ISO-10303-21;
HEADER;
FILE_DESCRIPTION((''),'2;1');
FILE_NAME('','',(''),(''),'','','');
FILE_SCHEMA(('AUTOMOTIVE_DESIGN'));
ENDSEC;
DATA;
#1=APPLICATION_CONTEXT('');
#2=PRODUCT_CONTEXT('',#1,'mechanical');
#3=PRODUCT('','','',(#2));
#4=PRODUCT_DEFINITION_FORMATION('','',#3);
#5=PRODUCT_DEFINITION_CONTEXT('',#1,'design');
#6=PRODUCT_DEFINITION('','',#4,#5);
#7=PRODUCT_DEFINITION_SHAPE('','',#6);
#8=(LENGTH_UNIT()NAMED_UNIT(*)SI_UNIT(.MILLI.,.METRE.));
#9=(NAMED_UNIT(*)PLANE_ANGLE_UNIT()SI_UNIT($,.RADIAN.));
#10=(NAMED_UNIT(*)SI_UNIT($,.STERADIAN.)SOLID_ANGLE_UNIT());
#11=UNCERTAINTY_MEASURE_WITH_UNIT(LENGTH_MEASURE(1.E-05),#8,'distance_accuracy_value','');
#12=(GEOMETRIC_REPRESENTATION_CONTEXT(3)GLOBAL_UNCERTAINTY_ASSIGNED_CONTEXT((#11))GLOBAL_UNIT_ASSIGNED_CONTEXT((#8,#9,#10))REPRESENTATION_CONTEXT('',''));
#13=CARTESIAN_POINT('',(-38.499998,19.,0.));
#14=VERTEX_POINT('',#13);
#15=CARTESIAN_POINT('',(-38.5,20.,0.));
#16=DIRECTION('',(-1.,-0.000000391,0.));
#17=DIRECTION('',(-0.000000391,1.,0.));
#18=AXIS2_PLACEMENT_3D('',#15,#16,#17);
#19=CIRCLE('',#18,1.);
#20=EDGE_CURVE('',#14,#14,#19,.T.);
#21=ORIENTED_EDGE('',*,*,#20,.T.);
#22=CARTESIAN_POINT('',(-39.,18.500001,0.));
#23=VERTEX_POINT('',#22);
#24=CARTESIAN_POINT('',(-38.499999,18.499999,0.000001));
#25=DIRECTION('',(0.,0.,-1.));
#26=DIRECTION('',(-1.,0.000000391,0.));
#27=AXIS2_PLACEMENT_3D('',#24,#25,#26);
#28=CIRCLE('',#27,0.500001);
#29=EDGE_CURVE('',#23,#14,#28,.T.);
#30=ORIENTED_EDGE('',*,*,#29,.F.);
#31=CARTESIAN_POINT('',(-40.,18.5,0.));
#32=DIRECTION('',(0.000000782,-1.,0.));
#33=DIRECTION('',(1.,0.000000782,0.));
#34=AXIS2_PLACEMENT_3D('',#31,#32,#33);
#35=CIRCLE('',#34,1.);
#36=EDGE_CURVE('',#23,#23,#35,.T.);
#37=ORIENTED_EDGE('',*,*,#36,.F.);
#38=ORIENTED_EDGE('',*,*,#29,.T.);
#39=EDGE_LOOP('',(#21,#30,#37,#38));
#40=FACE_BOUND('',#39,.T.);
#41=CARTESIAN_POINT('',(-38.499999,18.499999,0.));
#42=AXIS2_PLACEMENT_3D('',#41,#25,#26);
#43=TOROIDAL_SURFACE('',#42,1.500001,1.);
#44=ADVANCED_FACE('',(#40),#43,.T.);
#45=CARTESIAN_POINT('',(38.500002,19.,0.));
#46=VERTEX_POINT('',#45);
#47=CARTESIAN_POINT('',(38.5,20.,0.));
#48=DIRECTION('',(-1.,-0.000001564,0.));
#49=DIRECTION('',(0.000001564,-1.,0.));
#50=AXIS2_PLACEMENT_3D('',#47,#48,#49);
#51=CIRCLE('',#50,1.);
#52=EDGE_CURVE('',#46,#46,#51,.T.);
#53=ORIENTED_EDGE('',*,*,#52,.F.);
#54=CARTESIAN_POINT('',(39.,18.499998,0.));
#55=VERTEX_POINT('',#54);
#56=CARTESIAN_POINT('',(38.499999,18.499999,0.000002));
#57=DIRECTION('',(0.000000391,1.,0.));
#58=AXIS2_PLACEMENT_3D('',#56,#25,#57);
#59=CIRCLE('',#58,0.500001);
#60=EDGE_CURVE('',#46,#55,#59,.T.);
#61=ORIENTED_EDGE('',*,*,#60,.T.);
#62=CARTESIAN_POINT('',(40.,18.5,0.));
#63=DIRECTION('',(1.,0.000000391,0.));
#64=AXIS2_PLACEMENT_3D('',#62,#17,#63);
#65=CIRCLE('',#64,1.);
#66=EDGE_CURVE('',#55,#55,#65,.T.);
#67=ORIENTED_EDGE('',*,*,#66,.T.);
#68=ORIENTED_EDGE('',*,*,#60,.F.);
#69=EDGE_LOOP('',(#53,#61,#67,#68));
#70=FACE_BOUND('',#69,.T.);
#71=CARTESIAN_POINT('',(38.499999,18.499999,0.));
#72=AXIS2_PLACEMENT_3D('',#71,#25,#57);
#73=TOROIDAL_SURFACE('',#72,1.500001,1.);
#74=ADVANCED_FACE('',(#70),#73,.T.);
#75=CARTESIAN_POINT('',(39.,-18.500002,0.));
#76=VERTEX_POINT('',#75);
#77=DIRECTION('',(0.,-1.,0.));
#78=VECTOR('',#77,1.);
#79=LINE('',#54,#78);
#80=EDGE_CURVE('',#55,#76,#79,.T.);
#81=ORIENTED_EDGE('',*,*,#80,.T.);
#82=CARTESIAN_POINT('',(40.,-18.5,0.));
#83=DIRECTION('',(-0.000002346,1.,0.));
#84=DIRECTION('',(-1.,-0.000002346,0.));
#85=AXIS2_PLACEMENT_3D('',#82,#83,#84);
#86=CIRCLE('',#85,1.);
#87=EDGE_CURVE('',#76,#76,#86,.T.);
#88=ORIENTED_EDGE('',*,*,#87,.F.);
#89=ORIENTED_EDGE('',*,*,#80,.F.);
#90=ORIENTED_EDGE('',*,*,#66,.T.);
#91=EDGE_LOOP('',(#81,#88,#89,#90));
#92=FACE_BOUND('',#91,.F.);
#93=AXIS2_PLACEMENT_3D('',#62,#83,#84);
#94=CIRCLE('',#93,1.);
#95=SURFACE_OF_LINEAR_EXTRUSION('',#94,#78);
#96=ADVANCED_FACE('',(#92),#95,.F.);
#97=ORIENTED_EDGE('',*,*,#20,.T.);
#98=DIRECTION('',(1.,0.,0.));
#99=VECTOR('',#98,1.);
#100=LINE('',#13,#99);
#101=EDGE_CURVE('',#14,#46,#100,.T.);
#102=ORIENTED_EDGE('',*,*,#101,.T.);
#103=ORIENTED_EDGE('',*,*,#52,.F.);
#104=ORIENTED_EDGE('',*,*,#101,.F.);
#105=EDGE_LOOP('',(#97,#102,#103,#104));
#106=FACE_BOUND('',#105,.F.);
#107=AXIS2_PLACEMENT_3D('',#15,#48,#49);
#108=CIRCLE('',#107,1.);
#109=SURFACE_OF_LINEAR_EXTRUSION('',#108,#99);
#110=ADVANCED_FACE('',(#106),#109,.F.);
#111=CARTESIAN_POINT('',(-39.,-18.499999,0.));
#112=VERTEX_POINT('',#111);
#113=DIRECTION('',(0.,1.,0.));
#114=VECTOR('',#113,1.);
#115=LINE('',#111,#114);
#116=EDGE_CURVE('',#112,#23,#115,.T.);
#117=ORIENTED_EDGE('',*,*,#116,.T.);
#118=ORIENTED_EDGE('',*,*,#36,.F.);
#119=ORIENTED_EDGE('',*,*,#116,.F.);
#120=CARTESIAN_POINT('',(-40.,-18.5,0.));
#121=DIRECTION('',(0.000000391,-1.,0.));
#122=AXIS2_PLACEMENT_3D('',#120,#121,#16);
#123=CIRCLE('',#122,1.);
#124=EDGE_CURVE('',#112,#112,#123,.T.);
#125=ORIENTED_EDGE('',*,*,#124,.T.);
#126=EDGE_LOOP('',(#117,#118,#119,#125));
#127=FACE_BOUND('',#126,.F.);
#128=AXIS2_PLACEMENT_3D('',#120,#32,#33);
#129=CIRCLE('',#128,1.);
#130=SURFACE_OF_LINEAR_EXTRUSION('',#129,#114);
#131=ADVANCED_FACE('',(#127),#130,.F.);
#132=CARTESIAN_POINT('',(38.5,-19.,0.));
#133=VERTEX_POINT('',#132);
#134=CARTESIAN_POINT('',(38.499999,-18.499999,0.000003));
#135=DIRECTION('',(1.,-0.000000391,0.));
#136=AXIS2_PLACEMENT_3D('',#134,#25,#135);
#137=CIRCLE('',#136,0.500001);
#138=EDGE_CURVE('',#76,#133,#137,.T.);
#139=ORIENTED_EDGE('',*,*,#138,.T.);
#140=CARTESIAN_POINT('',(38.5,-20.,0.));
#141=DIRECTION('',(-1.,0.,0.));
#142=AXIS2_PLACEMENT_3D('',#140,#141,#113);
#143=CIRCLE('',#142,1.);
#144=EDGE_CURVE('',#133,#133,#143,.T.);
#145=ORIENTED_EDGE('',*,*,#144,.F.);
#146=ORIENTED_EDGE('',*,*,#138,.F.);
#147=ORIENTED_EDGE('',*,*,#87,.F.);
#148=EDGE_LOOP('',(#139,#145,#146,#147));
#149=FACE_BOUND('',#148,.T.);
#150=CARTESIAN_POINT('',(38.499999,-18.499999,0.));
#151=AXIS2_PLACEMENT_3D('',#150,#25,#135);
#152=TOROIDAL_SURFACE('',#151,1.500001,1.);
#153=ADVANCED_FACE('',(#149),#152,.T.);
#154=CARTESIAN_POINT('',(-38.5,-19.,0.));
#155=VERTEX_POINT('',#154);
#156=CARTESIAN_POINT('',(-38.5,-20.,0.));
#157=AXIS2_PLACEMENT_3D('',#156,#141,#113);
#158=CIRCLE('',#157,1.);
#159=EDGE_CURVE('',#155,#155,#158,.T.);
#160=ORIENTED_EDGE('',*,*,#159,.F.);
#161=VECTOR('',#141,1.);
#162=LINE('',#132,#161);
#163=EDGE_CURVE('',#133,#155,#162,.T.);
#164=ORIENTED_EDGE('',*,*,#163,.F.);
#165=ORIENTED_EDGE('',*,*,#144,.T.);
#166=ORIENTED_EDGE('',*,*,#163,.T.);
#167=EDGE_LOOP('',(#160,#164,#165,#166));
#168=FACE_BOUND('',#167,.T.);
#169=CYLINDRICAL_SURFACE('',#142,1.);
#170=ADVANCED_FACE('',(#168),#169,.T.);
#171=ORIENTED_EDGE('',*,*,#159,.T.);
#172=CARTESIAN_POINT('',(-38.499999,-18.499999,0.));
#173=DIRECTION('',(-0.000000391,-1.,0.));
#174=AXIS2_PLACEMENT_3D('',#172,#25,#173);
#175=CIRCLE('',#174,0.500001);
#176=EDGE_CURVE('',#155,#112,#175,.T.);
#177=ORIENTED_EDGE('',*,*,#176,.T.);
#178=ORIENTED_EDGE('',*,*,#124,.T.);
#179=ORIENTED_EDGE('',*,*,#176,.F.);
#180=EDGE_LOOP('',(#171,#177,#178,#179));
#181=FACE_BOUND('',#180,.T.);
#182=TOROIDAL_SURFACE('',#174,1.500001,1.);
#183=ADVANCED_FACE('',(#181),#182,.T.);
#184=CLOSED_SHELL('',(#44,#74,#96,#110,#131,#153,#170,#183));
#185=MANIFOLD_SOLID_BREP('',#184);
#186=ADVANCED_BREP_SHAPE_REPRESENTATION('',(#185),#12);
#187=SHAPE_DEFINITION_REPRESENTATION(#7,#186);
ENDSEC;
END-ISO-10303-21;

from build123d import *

# Parameters (mm, degrees)
F2_R = 1


with BuildPart() as f3:
    # F3: sweep along a path in F0
    with BuildLine(Plane.XY) as f3_path:
        Line((38.5, -20), (-38.5, -20))
        ThreePointArc((-38.5, -20), (-39.56066, -19.56066), (-40, -18.5))
        Line((-40, -18.5), (-40, 18.5))
        ThreePointArc((-40, 18.5), (-39.56066, 19.56066), (-38.5, 20))
        Line((-38.5, 20), (38.5, 20))
        ThreePointArc((38.5, 20), (39.56066, 19.56066), (40, 18.5))
        Line((40, 18.5), (40, -18.5))
        ThreePointArc((40, -18.5), (39.56066, -19.56066), (38.5, -20))
    # F2 (on offset) → F3 (sweep)
    with BuildSketch(Plane.YZ.offset(36.5)):
        with Locations((-20, 0)):
            Circle(F2_R)
    sweep(path=f3_path.line)


solid = f3.part
